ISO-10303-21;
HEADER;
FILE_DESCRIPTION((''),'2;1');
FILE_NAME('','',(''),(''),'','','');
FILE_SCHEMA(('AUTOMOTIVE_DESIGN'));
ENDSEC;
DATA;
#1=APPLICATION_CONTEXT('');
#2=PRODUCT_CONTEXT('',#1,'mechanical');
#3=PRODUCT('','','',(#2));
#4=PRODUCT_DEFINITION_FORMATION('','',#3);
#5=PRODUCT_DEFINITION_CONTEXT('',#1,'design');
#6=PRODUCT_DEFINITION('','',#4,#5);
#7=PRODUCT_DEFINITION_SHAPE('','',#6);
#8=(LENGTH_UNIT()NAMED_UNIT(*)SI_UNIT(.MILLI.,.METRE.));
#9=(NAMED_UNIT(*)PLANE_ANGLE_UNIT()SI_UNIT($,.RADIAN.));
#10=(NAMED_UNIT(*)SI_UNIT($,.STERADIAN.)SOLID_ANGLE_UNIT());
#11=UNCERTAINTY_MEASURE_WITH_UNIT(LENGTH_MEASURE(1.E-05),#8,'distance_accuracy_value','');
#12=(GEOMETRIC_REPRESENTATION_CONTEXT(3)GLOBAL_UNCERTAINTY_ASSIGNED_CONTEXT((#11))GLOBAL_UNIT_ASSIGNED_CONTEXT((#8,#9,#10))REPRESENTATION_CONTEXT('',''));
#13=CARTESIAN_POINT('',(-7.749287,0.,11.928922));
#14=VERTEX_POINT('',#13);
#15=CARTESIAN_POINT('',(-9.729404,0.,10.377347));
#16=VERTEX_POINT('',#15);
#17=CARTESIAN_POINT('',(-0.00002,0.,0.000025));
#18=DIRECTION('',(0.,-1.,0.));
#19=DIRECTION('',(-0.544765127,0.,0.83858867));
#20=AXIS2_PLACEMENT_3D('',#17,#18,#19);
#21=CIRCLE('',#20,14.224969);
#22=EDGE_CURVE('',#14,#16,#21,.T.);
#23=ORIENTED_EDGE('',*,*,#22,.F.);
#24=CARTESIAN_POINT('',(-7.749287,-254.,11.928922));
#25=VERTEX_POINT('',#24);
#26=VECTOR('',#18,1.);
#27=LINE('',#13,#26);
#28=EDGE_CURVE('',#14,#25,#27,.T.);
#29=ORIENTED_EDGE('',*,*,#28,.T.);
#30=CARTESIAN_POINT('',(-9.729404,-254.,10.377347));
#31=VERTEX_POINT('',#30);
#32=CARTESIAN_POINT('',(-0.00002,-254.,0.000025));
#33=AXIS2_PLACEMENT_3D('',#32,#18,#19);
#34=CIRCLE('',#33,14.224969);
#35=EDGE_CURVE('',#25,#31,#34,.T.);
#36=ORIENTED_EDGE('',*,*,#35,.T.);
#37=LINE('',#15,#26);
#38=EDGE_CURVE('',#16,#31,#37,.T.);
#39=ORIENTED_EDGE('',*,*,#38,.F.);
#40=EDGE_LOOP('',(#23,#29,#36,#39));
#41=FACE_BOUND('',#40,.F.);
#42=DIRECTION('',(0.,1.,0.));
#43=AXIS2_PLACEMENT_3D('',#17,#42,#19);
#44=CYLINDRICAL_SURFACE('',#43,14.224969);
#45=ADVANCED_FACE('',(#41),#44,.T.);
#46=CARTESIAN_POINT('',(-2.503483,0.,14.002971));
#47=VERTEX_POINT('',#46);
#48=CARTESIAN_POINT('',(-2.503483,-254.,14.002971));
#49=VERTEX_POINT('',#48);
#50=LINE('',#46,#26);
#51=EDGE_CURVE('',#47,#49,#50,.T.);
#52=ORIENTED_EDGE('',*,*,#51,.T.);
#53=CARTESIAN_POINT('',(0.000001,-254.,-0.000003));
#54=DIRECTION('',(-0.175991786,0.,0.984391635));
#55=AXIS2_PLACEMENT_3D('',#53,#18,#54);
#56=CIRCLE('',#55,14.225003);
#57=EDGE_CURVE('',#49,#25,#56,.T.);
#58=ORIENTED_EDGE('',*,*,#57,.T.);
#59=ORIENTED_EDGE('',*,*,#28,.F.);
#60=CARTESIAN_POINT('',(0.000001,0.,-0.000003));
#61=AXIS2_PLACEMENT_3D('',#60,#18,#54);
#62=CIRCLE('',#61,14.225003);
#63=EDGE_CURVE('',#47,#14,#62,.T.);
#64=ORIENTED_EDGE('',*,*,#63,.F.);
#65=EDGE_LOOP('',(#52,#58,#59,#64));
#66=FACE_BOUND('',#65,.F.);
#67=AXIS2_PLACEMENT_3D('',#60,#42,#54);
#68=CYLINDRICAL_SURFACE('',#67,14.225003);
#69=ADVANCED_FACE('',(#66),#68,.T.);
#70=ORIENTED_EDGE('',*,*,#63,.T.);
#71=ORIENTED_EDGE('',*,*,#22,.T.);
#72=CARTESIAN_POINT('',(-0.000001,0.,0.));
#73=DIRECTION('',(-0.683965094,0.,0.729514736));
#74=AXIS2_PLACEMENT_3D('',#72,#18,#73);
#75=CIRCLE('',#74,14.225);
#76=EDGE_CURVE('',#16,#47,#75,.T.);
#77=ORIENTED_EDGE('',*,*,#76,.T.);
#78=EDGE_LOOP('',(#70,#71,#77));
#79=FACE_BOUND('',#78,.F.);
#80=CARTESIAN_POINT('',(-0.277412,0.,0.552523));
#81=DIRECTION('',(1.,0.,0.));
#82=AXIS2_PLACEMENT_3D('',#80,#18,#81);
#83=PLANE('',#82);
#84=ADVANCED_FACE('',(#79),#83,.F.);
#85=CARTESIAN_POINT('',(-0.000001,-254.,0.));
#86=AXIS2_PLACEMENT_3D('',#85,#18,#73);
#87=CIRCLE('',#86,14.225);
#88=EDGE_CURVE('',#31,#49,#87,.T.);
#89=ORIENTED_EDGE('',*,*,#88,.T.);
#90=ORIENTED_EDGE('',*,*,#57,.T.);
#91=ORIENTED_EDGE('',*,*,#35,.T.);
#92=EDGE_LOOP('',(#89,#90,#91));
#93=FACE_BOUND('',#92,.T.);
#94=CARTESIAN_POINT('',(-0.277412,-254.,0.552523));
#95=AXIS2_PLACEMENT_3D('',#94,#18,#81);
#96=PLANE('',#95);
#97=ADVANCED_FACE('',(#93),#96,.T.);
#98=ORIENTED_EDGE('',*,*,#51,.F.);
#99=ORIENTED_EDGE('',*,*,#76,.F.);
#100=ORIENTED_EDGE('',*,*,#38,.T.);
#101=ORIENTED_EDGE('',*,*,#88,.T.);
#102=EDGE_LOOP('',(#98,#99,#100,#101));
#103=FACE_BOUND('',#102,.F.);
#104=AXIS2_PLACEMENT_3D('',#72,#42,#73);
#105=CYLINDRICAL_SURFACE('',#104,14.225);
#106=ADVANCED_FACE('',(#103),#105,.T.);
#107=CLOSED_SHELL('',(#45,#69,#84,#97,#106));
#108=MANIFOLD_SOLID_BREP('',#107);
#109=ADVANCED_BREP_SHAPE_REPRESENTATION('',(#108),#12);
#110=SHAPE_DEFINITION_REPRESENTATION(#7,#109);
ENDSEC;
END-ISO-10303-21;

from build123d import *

# Parameters (mm, degrees)
F1_DEPTH = 254


with BuildPart() as f1:
    # F0 (on Front) → F1 (new body)
    with BuildSketch(Plane.XZ):
        with BuildLine():
            ThreePointArc((-7.749287, 11.928922), (-8.773711, 11.196992), (-9.729404, 10.377347))
            ThreePointArc((-9.729404, 10.377347), (6.379433, -12.714301), (-2.503483, 14.002971))
            ThreePointArc((-2.503483, 14.002971), (-5.230224, 13.228582), (-7.749287, 11.928922))
        make_face()
    extrude(amount=F1_DEPTH)


solid = f1.part
